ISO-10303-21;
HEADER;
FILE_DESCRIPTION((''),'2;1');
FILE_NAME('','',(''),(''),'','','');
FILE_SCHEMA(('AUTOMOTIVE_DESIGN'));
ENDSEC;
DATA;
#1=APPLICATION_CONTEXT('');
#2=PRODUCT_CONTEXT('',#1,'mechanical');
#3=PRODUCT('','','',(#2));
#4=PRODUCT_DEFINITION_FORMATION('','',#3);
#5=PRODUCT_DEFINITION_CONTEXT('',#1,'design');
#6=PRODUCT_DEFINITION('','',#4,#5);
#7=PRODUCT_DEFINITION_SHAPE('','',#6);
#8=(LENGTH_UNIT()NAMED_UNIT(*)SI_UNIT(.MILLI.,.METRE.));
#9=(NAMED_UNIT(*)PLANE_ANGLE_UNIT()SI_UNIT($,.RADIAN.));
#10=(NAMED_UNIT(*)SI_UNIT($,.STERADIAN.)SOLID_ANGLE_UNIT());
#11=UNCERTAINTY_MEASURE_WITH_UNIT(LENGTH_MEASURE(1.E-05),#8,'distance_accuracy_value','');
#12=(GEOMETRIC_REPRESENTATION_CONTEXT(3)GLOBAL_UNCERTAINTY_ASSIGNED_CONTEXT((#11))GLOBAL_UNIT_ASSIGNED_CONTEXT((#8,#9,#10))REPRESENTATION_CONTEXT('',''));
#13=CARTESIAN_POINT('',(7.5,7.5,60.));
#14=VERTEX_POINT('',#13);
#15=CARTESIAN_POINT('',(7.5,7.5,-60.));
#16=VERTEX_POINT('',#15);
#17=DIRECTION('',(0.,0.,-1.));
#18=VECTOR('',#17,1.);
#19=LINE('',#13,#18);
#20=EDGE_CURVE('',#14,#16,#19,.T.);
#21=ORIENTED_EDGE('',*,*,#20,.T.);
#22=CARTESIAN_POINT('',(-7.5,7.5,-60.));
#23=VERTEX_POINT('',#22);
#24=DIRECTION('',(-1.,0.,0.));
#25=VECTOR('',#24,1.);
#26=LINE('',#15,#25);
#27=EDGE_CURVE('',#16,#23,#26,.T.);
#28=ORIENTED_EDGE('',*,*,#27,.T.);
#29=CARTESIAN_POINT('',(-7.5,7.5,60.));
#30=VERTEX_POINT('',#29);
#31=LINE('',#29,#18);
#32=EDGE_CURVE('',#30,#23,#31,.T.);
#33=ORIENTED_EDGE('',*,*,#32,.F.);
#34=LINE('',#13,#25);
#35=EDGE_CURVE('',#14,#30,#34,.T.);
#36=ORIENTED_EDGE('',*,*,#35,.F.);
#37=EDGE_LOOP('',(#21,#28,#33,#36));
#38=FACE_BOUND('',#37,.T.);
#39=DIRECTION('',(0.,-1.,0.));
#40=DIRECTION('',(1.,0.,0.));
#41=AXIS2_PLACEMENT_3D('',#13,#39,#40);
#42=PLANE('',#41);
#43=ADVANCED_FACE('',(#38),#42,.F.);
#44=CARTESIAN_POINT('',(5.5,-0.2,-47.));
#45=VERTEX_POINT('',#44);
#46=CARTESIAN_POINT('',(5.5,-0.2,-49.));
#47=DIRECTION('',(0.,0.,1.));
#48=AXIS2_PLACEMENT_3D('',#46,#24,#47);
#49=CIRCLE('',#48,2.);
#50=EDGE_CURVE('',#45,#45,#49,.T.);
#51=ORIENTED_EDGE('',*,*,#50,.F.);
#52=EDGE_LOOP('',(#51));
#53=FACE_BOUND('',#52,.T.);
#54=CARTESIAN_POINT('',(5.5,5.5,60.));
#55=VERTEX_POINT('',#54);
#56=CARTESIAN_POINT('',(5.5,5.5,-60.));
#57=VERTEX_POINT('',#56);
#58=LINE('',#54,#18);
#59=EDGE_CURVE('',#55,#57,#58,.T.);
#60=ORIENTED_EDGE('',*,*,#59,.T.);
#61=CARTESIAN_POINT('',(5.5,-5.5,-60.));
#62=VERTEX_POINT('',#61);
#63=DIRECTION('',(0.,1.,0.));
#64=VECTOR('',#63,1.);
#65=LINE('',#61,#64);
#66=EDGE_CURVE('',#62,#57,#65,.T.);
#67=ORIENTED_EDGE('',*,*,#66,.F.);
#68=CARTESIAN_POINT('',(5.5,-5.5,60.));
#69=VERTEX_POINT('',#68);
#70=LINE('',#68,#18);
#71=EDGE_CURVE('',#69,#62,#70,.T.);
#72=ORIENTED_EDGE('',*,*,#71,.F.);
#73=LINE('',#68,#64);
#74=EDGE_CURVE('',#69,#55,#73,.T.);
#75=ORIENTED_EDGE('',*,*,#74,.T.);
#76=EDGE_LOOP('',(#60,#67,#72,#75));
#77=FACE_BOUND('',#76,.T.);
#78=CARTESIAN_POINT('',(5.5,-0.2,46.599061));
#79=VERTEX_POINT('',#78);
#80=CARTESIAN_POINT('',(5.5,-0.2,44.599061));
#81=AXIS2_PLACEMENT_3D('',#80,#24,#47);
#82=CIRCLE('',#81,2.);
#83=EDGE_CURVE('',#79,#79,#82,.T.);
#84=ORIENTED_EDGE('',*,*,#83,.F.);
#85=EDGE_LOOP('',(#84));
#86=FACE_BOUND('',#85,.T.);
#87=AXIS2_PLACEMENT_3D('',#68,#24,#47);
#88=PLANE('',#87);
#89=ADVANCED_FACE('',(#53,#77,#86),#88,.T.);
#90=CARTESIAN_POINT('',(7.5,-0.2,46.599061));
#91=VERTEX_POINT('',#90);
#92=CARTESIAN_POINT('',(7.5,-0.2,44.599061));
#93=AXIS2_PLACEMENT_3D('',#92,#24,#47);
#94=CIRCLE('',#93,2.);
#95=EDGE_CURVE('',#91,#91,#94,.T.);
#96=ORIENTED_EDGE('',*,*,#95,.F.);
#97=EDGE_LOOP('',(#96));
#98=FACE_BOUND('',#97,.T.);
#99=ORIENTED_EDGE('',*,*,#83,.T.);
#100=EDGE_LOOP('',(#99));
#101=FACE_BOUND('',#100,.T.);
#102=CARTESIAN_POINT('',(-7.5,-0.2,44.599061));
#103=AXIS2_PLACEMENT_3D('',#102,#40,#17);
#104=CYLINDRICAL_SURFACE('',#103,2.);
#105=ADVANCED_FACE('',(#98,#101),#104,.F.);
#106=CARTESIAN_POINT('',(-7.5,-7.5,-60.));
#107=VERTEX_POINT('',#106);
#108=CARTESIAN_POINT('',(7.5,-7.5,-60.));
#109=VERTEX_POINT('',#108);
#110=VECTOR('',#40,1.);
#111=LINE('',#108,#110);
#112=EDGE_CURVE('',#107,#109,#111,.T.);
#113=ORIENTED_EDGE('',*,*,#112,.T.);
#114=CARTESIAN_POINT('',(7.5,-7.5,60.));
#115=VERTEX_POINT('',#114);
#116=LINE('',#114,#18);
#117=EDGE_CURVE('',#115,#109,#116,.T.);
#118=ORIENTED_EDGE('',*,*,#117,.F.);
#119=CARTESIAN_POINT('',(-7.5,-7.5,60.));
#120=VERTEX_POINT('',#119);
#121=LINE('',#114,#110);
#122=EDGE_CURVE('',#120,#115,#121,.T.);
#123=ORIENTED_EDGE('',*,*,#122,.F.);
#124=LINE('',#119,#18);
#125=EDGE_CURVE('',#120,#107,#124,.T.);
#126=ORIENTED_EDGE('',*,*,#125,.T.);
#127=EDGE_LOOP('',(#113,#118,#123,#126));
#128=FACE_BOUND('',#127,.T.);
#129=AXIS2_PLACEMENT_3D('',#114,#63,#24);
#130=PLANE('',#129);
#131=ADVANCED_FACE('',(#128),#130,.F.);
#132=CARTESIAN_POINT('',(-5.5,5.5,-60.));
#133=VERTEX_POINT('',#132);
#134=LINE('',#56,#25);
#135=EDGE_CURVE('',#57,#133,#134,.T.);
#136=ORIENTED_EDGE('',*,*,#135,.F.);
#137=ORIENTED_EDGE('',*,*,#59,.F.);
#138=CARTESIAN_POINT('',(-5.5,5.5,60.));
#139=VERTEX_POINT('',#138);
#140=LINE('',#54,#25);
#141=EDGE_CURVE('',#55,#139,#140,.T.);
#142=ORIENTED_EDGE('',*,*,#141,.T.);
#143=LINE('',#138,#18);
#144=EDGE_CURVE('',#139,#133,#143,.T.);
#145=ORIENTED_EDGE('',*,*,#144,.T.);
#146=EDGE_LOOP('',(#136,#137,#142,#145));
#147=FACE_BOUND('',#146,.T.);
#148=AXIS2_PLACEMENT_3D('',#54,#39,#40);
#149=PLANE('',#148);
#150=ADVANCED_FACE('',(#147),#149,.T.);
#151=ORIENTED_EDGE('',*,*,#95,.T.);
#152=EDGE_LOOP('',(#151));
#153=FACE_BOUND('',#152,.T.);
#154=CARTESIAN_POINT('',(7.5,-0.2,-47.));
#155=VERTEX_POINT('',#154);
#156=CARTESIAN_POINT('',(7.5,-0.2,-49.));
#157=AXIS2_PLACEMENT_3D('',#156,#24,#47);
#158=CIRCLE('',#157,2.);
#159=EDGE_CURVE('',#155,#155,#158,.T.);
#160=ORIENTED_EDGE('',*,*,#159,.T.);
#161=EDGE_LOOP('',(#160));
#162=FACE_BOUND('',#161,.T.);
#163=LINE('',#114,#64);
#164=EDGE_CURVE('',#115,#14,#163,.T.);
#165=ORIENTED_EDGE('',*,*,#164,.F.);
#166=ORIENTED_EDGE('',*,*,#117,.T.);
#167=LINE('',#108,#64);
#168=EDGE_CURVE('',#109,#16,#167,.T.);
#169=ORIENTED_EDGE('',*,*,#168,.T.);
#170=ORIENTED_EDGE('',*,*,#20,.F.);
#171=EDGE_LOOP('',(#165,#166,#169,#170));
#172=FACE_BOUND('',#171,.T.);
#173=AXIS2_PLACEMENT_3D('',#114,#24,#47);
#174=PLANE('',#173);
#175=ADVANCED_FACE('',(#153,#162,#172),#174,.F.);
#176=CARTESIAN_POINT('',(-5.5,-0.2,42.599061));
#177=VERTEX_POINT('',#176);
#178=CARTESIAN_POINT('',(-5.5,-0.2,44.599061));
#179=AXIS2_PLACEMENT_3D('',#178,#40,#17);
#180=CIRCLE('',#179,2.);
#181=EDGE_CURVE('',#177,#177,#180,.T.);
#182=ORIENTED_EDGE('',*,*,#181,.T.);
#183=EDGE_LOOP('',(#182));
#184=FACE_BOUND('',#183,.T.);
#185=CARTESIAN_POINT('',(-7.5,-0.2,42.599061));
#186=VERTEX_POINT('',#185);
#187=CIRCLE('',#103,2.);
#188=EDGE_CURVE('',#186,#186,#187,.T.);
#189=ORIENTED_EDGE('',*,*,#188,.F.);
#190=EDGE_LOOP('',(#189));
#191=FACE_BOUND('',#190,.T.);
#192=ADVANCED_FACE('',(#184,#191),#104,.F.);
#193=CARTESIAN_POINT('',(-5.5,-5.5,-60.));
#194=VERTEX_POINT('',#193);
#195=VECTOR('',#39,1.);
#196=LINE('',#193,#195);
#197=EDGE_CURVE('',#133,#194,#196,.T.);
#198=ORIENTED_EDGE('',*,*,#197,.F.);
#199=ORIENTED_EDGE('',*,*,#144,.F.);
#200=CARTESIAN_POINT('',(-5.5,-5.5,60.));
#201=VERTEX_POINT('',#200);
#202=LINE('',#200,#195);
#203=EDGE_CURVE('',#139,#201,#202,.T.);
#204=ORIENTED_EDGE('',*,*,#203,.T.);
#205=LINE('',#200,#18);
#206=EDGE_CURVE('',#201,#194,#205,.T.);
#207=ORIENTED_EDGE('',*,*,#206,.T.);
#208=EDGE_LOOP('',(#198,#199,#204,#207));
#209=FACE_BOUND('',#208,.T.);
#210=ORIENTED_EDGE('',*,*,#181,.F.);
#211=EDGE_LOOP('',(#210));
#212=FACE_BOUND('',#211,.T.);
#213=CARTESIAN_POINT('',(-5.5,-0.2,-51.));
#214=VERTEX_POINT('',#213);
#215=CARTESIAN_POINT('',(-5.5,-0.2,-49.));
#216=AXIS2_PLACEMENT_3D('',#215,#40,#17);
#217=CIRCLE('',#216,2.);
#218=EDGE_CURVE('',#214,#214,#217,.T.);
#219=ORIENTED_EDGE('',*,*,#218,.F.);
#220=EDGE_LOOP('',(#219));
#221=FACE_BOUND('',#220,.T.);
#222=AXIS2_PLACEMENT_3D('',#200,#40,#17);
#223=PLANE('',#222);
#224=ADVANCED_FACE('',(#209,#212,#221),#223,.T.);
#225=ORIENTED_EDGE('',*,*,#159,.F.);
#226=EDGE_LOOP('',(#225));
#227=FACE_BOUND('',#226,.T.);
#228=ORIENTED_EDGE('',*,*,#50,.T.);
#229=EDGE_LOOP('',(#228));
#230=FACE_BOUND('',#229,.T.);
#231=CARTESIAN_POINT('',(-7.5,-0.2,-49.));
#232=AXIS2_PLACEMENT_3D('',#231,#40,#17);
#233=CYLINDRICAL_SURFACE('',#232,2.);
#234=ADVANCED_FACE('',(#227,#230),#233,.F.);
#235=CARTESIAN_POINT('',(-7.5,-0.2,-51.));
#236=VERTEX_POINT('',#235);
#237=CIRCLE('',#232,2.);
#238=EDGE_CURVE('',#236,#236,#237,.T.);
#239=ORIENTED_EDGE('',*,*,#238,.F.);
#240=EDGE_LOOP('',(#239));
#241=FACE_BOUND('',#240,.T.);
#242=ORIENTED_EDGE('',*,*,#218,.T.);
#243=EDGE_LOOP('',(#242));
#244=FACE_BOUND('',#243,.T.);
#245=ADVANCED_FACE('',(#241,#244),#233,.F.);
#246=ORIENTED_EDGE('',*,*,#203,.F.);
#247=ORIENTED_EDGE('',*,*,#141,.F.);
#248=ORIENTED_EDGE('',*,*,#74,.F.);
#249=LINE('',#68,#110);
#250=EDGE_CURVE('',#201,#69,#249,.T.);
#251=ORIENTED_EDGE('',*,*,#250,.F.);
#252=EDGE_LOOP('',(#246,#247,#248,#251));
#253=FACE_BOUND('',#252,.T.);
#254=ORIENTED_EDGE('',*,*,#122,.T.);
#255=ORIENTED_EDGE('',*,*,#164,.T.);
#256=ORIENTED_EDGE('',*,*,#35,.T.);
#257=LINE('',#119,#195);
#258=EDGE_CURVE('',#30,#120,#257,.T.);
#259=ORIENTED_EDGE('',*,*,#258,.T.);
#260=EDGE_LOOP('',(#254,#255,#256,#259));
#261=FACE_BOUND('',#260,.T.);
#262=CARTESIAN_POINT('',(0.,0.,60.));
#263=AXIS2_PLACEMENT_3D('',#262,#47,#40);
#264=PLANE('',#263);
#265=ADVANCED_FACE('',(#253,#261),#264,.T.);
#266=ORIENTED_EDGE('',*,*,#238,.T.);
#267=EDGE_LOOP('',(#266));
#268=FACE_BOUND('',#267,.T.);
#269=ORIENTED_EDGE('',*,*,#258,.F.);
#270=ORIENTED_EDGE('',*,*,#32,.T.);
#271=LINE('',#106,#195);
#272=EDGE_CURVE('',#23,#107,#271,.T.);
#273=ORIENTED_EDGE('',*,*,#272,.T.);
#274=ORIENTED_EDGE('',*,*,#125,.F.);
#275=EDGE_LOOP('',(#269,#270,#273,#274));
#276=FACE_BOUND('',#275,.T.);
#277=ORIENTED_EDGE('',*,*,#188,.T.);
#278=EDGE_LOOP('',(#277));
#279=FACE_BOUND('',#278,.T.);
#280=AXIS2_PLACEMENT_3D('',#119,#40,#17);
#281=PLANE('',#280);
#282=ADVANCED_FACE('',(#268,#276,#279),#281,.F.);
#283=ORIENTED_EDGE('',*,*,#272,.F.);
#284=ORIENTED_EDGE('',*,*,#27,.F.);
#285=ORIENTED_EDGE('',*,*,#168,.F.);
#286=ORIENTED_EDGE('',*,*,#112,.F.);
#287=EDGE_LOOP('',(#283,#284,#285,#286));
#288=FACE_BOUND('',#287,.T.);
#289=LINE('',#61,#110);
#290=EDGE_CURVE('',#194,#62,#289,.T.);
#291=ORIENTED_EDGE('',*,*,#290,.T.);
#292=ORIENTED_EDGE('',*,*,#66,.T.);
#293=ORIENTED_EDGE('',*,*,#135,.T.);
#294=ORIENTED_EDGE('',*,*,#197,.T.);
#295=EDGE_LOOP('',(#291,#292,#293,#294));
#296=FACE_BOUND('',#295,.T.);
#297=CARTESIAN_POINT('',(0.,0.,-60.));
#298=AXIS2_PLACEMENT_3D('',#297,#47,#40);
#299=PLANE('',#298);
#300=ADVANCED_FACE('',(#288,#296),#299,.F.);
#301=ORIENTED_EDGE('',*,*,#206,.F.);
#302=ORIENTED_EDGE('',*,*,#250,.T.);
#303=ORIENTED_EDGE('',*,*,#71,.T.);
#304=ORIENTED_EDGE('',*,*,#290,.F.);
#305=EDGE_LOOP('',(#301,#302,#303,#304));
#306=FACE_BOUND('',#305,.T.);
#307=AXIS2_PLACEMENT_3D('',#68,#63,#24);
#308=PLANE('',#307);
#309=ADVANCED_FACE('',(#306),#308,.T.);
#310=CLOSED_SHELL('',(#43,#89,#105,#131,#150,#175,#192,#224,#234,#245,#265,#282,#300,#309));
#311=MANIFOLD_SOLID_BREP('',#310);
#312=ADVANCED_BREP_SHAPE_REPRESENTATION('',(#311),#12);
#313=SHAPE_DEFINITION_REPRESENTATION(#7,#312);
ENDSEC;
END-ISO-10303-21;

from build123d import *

# Parameters (mm, degrees)
SKETCH1_W               = 15
SKETCH1_H               = 15
SKETCH1_W_2             = 11
SKETCH1_H_2             = 11
BOSS_EXTRUDE1_DEPTH     = 60
CUT_EXTRUDE1_DEPTH      = 63.299678972
CUT_EXTRUDE1_DEPTH_BACK = 63.299678972
SKETCH2_R               = 2


with BuildPart() as part:
    # Sketch1 → Boss-Extrude1 (new, symmetric)
    with BuildSketch(Plane.XY):
        Rectangle(SKETCH1_W, SKETCH1_H)
        Rectangle(SKETCH1_W_2, SKETCH1_H_2, mode=Mode.SUBTRACT)
    extrude(amount=BOSS_EXTRUDE1_DEPTH, both=True)

    # Sketch2 → Cut-Extrude1 (cut, two sides: drawn at the far end of the back side and taken through both)
    with BuildSketch(Plane(origin=(7.5, 0, 0), x_dir=(0, 0, -1), z_dir=(1, 0, 0)).offset(-CUT_EXTRUDE1_DEPTH_BACK)):
        with Locations((-44.599061213, -0.2)):
            Circle(SKETCH2_R)
        with Locations((49, -0.2)):
            Circle(SKETCH2_R)
    extrude(amount=CUT_EXTRUDE1_DEPTH + CUT_EXTRUDE1_DEPTH_BACK, mode=Mode.SUBTRACT)


solid = part.part
